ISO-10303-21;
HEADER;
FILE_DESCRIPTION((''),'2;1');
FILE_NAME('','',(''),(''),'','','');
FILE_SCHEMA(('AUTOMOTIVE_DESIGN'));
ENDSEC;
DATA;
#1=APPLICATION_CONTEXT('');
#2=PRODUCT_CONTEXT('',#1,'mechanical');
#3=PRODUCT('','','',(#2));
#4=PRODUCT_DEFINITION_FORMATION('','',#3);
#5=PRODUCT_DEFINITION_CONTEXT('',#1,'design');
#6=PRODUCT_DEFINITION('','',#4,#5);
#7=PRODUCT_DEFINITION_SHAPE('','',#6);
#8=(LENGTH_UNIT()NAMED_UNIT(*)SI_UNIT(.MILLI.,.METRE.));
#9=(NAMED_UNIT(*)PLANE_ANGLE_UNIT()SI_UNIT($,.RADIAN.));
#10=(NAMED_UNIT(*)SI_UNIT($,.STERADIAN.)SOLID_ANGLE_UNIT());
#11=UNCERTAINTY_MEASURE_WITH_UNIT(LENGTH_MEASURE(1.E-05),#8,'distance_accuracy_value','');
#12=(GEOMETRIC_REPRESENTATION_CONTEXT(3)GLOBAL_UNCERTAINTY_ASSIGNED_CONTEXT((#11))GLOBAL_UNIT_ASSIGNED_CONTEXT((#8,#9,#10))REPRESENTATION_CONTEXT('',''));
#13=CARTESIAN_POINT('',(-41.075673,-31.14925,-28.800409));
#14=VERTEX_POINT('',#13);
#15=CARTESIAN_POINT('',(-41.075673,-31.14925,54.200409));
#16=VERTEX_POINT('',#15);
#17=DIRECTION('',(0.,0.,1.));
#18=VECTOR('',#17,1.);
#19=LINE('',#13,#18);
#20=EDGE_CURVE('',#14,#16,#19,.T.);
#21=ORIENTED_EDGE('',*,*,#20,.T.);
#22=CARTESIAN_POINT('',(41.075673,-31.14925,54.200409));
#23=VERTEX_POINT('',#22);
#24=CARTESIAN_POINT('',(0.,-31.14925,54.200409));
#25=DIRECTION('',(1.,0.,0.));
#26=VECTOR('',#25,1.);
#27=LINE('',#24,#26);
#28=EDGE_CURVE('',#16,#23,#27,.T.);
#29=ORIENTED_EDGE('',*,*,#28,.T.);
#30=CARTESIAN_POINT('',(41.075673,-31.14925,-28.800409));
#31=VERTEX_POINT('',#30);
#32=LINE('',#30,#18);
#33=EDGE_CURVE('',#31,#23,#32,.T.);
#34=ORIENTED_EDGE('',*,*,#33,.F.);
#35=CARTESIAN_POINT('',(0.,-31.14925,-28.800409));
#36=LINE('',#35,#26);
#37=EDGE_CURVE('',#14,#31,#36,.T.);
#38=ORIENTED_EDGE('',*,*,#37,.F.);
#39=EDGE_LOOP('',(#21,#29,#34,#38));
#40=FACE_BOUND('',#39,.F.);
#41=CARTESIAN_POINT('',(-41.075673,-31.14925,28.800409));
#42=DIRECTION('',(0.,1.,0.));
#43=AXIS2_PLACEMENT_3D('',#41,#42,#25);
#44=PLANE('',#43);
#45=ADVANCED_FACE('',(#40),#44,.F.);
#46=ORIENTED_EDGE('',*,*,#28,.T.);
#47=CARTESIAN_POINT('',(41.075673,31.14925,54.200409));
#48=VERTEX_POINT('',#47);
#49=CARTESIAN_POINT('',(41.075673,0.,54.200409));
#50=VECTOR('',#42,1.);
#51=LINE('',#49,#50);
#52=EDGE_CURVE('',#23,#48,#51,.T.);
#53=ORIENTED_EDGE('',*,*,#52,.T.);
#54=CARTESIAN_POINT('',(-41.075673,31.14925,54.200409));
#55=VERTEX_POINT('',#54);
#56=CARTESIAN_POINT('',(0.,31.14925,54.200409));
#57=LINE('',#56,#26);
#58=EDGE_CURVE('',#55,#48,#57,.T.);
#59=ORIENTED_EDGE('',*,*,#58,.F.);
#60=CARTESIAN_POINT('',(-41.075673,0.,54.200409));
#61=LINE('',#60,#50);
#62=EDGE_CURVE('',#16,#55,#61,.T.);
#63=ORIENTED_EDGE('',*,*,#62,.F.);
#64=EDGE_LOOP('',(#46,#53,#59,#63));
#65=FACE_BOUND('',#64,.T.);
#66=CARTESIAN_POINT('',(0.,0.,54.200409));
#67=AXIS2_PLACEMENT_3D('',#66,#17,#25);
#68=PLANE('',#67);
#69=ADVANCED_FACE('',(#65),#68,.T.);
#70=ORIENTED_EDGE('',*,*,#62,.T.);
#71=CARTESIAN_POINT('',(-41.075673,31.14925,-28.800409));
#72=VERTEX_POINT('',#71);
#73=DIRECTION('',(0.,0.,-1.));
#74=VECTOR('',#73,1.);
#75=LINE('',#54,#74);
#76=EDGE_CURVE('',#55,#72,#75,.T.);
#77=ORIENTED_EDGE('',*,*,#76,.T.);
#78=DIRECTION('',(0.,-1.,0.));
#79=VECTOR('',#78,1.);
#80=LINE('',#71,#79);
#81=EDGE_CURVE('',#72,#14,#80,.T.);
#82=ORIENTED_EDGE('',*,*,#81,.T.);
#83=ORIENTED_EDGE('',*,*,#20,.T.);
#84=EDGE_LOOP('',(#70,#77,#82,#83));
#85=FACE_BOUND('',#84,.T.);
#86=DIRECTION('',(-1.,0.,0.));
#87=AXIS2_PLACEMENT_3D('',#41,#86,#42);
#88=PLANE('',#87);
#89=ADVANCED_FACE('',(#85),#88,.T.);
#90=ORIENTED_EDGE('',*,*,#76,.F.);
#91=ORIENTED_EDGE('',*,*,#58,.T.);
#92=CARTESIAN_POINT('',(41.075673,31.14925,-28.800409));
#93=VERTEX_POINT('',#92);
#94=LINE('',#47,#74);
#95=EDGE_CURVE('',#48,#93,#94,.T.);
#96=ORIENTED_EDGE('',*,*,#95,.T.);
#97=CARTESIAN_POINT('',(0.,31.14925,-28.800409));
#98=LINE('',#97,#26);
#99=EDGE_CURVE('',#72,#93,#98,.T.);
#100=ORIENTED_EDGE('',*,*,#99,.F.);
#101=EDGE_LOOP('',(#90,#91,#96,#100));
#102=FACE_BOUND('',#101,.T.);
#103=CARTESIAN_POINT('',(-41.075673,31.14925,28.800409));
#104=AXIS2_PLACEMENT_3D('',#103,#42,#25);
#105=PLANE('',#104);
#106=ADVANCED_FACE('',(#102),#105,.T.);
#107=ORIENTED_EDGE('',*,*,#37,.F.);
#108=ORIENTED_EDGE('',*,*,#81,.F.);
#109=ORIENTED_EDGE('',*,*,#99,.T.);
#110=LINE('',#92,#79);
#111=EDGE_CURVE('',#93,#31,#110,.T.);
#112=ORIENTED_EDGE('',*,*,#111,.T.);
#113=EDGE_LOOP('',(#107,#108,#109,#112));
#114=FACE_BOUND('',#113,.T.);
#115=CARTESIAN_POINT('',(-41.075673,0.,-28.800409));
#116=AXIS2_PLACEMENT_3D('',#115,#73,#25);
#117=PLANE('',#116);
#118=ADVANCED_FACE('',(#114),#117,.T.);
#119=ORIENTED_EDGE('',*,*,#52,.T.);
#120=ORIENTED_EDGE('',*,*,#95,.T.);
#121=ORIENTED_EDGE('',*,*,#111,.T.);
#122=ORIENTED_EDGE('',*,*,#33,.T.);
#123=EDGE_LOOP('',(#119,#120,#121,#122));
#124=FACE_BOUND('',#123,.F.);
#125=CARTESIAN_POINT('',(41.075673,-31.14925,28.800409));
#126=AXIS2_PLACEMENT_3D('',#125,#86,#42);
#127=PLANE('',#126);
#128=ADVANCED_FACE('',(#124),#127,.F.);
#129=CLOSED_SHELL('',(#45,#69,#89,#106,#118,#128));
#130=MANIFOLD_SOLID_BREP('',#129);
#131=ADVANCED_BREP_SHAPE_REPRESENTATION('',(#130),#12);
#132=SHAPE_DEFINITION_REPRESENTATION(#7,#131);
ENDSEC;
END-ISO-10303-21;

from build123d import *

# Parameters (mm, degrees)
F0_W      = 82.151346
F0_H      = 57.600818
F1_DEPTH  = 31.14925
F1_FACE_W = 82.151346
F1_FACE_H = 62.2985
F2_DEPTH  = 25.4


with BuildPart() as f1:
    # F0 (on Front) → F1 (new body, symmetric)
    with BuildSketch(Plane.XZ):
        Rectangle(F0_W, F0_H)
    extrude(amount=F1_DEPTH, both=True)

    # F1_face (on face) → F2 (join)
    with BuildSketch(Plane.XY.offset(28.800409)):
        Rectangle(F1_FACE_W, F1_FACE_H)
    extrude(amount=F2_DEPTH)


solid = f1.part
